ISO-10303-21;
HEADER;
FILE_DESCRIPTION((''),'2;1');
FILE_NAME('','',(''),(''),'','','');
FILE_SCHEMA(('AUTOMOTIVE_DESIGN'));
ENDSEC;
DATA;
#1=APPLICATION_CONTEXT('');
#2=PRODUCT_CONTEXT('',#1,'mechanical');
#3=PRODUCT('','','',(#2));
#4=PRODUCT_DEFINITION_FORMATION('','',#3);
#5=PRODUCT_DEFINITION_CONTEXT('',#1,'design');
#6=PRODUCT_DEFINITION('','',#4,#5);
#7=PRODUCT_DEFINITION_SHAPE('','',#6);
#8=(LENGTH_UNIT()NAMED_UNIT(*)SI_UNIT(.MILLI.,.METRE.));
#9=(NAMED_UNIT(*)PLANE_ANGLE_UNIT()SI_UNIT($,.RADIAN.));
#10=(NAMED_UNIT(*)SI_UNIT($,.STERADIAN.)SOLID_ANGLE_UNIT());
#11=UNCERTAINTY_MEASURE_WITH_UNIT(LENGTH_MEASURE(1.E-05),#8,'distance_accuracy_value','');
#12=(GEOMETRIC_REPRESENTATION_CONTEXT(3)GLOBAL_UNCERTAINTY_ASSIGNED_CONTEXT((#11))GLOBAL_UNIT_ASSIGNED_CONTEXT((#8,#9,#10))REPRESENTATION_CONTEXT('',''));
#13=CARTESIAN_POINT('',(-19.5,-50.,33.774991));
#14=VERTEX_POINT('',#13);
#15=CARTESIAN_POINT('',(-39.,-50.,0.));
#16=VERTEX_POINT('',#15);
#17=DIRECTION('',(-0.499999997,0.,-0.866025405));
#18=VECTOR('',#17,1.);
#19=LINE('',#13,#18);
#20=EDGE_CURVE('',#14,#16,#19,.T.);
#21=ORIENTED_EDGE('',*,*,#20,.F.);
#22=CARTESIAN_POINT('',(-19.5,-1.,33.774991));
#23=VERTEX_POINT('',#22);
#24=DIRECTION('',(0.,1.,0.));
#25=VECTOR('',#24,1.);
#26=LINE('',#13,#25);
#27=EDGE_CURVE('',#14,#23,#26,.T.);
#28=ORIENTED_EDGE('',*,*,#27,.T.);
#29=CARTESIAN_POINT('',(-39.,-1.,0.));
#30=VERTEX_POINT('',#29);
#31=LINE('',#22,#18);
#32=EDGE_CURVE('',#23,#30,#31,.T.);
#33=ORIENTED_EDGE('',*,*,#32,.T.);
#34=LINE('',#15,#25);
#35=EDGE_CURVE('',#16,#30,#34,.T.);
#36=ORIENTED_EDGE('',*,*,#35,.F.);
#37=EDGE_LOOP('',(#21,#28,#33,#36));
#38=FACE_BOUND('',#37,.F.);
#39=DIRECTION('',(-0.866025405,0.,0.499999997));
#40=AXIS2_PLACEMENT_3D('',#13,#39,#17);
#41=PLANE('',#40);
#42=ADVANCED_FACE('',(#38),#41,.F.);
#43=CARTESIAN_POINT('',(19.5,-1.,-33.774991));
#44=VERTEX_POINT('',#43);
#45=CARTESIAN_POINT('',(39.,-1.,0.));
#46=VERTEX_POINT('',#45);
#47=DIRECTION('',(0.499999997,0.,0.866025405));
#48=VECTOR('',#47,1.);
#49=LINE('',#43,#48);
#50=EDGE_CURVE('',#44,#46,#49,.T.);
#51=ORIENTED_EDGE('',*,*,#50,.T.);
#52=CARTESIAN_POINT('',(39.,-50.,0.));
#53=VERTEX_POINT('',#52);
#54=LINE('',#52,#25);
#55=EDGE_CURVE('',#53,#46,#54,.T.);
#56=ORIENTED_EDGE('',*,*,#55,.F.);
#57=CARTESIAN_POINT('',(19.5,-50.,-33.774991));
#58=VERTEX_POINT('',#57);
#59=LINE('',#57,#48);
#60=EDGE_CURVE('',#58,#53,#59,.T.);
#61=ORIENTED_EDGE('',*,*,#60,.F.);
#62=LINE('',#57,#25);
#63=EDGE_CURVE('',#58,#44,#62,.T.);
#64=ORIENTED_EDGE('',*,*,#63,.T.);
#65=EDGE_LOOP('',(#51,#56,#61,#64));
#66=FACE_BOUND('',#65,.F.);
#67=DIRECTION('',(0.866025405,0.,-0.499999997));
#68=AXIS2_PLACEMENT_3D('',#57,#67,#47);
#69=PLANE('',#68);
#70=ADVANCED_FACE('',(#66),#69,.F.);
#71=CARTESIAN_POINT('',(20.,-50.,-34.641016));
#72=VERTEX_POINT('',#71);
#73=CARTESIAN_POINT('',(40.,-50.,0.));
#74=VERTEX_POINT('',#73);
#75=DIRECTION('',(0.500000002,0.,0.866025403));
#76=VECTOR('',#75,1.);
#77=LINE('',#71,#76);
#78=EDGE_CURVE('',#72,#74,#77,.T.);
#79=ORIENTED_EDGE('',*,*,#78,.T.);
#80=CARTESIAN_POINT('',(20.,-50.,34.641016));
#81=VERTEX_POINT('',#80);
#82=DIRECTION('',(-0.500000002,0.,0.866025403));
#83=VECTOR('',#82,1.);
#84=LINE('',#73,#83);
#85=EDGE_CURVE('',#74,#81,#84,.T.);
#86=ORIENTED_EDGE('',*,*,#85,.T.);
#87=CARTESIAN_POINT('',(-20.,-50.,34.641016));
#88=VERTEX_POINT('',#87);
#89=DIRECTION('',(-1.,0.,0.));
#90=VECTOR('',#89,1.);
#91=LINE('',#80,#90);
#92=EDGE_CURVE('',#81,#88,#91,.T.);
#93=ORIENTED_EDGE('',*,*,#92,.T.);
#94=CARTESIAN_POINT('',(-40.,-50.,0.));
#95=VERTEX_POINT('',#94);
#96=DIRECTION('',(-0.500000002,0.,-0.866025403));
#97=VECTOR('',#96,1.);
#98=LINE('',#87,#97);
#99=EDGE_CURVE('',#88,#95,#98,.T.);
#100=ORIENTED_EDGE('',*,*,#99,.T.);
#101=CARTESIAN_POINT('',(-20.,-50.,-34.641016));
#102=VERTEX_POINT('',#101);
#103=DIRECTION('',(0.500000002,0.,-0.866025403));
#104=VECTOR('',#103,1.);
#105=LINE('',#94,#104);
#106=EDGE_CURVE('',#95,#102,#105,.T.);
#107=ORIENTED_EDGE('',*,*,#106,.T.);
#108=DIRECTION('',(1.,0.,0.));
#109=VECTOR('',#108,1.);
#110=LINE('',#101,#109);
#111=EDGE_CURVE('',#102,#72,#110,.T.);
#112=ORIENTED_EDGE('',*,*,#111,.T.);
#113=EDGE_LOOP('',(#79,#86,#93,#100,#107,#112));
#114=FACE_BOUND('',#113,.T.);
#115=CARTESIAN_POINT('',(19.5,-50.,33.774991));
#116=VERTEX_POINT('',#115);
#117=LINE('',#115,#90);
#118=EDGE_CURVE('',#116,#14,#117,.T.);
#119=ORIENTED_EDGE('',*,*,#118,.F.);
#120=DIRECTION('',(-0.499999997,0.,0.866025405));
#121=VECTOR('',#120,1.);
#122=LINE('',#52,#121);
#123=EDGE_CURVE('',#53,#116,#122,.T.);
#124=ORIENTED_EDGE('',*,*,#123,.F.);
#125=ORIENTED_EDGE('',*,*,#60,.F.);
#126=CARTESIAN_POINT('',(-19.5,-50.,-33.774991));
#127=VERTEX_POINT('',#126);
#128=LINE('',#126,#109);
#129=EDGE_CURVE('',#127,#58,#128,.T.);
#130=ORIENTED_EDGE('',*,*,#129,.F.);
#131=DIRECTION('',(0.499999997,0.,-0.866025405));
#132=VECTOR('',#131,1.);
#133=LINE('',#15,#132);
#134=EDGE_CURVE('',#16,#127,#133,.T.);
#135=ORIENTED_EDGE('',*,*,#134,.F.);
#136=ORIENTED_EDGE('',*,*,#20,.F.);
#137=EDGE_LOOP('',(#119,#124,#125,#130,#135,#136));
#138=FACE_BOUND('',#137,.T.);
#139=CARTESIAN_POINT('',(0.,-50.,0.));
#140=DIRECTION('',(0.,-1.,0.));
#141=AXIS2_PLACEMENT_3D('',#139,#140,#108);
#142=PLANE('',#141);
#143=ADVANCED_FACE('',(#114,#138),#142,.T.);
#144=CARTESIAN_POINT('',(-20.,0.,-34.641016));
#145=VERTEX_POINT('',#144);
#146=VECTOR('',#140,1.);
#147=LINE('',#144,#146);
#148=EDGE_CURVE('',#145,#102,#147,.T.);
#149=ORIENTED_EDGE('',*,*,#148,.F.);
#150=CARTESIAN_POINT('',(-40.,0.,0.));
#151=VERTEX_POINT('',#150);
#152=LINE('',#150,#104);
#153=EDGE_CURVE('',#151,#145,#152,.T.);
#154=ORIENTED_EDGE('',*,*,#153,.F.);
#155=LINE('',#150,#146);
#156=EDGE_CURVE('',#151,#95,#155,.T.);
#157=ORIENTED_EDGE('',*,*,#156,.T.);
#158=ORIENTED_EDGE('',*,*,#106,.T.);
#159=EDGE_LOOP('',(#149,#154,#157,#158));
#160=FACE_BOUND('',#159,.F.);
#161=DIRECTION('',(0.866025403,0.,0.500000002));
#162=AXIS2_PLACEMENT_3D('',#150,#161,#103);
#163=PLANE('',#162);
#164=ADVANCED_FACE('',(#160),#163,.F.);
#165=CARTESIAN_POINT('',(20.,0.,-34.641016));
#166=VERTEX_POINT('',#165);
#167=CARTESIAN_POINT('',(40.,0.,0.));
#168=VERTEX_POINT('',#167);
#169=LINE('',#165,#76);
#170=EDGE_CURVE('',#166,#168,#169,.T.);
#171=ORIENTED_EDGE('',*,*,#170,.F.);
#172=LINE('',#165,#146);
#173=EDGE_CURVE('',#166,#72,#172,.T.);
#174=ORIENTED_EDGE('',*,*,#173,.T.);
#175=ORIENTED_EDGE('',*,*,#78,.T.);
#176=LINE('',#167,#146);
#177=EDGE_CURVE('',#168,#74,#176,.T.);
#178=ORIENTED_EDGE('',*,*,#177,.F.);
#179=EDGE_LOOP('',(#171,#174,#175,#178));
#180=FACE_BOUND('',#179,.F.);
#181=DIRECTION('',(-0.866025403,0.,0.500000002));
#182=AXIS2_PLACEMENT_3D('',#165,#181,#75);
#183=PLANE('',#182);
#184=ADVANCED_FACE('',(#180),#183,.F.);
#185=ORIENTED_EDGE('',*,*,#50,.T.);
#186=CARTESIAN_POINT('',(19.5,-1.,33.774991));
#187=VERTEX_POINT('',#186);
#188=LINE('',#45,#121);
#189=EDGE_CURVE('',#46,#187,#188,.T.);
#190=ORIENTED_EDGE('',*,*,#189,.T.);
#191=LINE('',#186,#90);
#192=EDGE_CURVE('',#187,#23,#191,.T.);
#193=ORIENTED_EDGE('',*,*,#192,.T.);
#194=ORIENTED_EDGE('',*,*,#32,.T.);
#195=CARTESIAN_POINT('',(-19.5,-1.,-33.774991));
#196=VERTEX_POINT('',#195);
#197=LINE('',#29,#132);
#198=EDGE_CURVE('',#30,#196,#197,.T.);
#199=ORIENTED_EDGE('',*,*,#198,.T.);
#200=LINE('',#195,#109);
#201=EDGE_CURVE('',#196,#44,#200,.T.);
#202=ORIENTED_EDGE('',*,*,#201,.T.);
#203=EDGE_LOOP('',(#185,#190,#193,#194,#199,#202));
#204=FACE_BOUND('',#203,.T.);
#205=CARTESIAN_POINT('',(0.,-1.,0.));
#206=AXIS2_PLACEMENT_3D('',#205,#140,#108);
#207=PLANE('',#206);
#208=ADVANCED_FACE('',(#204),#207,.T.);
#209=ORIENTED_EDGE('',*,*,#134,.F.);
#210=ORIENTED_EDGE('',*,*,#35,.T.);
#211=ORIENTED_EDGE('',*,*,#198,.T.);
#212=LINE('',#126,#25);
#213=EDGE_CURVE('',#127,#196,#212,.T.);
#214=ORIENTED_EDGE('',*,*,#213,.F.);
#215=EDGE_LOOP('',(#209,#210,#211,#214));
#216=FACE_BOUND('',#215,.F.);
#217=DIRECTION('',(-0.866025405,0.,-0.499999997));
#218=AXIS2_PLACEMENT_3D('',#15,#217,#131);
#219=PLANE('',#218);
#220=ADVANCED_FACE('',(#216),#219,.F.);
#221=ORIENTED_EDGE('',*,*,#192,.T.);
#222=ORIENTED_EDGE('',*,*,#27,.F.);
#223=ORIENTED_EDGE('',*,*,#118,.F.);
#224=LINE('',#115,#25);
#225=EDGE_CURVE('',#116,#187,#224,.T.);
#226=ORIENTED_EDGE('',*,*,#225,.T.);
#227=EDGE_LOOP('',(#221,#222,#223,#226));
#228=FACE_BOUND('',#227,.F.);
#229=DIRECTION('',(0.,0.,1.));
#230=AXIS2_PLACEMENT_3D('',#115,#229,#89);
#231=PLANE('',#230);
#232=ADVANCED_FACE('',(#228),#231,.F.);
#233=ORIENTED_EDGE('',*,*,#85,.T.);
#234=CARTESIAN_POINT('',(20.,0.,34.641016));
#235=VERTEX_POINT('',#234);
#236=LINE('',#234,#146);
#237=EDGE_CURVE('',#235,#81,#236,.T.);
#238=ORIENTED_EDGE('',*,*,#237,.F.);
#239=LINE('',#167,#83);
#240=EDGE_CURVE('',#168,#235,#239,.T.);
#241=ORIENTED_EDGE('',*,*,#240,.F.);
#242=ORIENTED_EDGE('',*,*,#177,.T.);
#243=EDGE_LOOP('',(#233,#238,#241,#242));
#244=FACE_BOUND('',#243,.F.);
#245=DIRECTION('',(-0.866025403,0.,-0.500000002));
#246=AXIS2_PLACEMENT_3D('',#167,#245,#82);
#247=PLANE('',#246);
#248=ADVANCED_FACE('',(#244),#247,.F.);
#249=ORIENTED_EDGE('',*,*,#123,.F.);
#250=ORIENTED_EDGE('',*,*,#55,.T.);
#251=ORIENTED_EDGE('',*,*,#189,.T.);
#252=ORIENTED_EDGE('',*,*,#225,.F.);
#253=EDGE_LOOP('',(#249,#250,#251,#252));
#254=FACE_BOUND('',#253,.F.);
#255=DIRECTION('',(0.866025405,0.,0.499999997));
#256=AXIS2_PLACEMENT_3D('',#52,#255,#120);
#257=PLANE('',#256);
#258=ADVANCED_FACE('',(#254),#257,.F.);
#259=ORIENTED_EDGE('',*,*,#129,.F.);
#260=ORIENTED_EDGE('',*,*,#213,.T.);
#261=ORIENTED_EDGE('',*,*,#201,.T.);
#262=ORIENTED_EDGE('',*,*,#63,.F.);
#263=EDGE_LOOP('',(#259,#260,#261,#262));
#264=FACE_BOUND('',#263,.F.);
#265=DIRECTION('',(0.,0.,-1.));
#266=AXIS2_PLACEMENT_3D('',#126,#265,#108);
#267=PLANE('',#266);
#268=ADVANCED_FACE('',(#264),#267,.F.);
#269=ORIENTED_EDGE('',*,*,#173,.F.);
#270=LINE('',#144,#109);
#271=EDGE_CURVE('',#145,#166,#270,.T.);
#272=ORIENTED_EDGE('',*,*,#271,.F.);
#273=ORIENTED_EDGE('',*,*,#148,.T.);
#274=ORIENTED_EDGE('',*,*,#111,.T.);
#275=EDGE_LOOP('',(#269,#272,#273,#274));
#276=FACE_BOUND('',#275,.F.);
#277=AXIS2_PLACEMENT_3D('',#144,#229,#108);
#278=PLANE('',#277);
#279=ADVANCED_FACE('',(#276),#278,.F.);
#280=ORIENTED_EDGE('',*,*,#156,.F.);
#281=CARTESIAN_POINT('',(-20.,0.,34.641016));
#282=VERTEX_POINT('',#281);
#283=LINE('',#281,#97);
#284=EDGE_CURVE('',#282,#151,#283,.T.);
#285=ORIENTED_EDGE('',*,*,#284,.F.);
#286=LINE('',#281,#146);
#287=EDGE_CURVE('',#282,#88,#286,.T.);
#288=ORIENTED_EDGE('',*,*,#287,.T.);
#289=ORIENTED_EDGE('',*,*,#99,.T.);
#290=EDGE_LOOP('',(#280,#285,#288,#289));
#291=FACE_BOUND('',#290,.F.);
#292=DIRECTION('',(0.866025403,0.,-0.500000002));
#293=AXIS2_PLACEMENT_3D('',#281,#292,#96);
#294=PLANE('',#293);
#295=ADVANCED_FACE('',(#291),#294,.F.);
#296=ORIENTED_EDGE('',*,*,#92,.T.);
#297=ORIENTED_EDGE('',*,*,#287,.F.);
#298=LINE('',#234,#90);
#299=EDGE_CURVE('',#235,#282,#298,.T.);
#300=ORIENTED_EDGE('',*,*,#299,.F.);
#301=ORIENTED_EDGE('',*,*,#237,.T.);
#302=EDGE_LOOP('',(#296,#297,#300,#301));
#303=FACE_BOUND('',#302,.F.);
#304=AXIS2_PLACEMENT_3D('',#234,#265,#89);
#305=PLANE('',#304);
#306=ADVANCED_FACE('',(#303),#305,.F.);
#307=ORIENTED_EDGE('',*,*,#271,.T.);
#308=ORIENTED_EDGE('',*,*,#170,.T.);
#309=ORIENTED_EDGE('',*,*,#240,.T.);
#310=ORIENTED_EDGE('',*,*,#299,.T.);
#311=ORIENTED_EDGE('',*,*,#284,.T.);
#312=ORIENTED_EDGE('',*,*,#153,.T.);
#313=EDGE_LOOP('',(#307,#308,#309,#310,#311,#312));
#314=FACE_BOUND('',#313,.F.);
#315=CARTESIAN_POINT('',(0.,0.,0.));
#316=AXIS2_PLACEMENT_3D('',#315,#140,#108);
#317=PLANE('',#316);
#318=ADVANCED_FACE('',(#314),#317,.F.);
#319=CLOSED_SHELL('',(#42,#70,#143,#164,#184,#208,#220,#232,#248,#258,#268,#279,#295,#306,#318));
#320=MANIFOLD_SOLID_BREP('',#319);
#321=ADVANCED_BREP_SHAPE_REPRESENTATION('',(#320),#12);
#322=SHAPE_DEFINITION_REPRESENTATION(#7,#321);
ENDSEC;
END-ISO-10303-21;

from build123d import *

# Parameters (mm, degrees)
F1_DEPTH = 50
F3_DEPTH = 49


with BuildPart() as f1:
    # F0 (on Front) → F1 (new body)
    with BuildSketch(Plane.XZ):
        Polygon((40, 0), (20, 34.641016), (-20, 34.641016), (-40, 0), (-20, -34.641016), (20, -34.641016), align=None)
    extrude(amount=F1_DEPTH)

    # F2 (on face) → F3 (cut)
    with BuildSketch(Plane.XZ.offset(50)):
        Polygon((19.5, -33.774991), (39, 0), (19.5, 33.774991), (-19.5, 33.774991), (-39, 0), (-19.5, -33.774991), align=None)
    extrude(amount=-F3_DEPTH, mode=Mode.SUBTRACT)


solid = f1.part
